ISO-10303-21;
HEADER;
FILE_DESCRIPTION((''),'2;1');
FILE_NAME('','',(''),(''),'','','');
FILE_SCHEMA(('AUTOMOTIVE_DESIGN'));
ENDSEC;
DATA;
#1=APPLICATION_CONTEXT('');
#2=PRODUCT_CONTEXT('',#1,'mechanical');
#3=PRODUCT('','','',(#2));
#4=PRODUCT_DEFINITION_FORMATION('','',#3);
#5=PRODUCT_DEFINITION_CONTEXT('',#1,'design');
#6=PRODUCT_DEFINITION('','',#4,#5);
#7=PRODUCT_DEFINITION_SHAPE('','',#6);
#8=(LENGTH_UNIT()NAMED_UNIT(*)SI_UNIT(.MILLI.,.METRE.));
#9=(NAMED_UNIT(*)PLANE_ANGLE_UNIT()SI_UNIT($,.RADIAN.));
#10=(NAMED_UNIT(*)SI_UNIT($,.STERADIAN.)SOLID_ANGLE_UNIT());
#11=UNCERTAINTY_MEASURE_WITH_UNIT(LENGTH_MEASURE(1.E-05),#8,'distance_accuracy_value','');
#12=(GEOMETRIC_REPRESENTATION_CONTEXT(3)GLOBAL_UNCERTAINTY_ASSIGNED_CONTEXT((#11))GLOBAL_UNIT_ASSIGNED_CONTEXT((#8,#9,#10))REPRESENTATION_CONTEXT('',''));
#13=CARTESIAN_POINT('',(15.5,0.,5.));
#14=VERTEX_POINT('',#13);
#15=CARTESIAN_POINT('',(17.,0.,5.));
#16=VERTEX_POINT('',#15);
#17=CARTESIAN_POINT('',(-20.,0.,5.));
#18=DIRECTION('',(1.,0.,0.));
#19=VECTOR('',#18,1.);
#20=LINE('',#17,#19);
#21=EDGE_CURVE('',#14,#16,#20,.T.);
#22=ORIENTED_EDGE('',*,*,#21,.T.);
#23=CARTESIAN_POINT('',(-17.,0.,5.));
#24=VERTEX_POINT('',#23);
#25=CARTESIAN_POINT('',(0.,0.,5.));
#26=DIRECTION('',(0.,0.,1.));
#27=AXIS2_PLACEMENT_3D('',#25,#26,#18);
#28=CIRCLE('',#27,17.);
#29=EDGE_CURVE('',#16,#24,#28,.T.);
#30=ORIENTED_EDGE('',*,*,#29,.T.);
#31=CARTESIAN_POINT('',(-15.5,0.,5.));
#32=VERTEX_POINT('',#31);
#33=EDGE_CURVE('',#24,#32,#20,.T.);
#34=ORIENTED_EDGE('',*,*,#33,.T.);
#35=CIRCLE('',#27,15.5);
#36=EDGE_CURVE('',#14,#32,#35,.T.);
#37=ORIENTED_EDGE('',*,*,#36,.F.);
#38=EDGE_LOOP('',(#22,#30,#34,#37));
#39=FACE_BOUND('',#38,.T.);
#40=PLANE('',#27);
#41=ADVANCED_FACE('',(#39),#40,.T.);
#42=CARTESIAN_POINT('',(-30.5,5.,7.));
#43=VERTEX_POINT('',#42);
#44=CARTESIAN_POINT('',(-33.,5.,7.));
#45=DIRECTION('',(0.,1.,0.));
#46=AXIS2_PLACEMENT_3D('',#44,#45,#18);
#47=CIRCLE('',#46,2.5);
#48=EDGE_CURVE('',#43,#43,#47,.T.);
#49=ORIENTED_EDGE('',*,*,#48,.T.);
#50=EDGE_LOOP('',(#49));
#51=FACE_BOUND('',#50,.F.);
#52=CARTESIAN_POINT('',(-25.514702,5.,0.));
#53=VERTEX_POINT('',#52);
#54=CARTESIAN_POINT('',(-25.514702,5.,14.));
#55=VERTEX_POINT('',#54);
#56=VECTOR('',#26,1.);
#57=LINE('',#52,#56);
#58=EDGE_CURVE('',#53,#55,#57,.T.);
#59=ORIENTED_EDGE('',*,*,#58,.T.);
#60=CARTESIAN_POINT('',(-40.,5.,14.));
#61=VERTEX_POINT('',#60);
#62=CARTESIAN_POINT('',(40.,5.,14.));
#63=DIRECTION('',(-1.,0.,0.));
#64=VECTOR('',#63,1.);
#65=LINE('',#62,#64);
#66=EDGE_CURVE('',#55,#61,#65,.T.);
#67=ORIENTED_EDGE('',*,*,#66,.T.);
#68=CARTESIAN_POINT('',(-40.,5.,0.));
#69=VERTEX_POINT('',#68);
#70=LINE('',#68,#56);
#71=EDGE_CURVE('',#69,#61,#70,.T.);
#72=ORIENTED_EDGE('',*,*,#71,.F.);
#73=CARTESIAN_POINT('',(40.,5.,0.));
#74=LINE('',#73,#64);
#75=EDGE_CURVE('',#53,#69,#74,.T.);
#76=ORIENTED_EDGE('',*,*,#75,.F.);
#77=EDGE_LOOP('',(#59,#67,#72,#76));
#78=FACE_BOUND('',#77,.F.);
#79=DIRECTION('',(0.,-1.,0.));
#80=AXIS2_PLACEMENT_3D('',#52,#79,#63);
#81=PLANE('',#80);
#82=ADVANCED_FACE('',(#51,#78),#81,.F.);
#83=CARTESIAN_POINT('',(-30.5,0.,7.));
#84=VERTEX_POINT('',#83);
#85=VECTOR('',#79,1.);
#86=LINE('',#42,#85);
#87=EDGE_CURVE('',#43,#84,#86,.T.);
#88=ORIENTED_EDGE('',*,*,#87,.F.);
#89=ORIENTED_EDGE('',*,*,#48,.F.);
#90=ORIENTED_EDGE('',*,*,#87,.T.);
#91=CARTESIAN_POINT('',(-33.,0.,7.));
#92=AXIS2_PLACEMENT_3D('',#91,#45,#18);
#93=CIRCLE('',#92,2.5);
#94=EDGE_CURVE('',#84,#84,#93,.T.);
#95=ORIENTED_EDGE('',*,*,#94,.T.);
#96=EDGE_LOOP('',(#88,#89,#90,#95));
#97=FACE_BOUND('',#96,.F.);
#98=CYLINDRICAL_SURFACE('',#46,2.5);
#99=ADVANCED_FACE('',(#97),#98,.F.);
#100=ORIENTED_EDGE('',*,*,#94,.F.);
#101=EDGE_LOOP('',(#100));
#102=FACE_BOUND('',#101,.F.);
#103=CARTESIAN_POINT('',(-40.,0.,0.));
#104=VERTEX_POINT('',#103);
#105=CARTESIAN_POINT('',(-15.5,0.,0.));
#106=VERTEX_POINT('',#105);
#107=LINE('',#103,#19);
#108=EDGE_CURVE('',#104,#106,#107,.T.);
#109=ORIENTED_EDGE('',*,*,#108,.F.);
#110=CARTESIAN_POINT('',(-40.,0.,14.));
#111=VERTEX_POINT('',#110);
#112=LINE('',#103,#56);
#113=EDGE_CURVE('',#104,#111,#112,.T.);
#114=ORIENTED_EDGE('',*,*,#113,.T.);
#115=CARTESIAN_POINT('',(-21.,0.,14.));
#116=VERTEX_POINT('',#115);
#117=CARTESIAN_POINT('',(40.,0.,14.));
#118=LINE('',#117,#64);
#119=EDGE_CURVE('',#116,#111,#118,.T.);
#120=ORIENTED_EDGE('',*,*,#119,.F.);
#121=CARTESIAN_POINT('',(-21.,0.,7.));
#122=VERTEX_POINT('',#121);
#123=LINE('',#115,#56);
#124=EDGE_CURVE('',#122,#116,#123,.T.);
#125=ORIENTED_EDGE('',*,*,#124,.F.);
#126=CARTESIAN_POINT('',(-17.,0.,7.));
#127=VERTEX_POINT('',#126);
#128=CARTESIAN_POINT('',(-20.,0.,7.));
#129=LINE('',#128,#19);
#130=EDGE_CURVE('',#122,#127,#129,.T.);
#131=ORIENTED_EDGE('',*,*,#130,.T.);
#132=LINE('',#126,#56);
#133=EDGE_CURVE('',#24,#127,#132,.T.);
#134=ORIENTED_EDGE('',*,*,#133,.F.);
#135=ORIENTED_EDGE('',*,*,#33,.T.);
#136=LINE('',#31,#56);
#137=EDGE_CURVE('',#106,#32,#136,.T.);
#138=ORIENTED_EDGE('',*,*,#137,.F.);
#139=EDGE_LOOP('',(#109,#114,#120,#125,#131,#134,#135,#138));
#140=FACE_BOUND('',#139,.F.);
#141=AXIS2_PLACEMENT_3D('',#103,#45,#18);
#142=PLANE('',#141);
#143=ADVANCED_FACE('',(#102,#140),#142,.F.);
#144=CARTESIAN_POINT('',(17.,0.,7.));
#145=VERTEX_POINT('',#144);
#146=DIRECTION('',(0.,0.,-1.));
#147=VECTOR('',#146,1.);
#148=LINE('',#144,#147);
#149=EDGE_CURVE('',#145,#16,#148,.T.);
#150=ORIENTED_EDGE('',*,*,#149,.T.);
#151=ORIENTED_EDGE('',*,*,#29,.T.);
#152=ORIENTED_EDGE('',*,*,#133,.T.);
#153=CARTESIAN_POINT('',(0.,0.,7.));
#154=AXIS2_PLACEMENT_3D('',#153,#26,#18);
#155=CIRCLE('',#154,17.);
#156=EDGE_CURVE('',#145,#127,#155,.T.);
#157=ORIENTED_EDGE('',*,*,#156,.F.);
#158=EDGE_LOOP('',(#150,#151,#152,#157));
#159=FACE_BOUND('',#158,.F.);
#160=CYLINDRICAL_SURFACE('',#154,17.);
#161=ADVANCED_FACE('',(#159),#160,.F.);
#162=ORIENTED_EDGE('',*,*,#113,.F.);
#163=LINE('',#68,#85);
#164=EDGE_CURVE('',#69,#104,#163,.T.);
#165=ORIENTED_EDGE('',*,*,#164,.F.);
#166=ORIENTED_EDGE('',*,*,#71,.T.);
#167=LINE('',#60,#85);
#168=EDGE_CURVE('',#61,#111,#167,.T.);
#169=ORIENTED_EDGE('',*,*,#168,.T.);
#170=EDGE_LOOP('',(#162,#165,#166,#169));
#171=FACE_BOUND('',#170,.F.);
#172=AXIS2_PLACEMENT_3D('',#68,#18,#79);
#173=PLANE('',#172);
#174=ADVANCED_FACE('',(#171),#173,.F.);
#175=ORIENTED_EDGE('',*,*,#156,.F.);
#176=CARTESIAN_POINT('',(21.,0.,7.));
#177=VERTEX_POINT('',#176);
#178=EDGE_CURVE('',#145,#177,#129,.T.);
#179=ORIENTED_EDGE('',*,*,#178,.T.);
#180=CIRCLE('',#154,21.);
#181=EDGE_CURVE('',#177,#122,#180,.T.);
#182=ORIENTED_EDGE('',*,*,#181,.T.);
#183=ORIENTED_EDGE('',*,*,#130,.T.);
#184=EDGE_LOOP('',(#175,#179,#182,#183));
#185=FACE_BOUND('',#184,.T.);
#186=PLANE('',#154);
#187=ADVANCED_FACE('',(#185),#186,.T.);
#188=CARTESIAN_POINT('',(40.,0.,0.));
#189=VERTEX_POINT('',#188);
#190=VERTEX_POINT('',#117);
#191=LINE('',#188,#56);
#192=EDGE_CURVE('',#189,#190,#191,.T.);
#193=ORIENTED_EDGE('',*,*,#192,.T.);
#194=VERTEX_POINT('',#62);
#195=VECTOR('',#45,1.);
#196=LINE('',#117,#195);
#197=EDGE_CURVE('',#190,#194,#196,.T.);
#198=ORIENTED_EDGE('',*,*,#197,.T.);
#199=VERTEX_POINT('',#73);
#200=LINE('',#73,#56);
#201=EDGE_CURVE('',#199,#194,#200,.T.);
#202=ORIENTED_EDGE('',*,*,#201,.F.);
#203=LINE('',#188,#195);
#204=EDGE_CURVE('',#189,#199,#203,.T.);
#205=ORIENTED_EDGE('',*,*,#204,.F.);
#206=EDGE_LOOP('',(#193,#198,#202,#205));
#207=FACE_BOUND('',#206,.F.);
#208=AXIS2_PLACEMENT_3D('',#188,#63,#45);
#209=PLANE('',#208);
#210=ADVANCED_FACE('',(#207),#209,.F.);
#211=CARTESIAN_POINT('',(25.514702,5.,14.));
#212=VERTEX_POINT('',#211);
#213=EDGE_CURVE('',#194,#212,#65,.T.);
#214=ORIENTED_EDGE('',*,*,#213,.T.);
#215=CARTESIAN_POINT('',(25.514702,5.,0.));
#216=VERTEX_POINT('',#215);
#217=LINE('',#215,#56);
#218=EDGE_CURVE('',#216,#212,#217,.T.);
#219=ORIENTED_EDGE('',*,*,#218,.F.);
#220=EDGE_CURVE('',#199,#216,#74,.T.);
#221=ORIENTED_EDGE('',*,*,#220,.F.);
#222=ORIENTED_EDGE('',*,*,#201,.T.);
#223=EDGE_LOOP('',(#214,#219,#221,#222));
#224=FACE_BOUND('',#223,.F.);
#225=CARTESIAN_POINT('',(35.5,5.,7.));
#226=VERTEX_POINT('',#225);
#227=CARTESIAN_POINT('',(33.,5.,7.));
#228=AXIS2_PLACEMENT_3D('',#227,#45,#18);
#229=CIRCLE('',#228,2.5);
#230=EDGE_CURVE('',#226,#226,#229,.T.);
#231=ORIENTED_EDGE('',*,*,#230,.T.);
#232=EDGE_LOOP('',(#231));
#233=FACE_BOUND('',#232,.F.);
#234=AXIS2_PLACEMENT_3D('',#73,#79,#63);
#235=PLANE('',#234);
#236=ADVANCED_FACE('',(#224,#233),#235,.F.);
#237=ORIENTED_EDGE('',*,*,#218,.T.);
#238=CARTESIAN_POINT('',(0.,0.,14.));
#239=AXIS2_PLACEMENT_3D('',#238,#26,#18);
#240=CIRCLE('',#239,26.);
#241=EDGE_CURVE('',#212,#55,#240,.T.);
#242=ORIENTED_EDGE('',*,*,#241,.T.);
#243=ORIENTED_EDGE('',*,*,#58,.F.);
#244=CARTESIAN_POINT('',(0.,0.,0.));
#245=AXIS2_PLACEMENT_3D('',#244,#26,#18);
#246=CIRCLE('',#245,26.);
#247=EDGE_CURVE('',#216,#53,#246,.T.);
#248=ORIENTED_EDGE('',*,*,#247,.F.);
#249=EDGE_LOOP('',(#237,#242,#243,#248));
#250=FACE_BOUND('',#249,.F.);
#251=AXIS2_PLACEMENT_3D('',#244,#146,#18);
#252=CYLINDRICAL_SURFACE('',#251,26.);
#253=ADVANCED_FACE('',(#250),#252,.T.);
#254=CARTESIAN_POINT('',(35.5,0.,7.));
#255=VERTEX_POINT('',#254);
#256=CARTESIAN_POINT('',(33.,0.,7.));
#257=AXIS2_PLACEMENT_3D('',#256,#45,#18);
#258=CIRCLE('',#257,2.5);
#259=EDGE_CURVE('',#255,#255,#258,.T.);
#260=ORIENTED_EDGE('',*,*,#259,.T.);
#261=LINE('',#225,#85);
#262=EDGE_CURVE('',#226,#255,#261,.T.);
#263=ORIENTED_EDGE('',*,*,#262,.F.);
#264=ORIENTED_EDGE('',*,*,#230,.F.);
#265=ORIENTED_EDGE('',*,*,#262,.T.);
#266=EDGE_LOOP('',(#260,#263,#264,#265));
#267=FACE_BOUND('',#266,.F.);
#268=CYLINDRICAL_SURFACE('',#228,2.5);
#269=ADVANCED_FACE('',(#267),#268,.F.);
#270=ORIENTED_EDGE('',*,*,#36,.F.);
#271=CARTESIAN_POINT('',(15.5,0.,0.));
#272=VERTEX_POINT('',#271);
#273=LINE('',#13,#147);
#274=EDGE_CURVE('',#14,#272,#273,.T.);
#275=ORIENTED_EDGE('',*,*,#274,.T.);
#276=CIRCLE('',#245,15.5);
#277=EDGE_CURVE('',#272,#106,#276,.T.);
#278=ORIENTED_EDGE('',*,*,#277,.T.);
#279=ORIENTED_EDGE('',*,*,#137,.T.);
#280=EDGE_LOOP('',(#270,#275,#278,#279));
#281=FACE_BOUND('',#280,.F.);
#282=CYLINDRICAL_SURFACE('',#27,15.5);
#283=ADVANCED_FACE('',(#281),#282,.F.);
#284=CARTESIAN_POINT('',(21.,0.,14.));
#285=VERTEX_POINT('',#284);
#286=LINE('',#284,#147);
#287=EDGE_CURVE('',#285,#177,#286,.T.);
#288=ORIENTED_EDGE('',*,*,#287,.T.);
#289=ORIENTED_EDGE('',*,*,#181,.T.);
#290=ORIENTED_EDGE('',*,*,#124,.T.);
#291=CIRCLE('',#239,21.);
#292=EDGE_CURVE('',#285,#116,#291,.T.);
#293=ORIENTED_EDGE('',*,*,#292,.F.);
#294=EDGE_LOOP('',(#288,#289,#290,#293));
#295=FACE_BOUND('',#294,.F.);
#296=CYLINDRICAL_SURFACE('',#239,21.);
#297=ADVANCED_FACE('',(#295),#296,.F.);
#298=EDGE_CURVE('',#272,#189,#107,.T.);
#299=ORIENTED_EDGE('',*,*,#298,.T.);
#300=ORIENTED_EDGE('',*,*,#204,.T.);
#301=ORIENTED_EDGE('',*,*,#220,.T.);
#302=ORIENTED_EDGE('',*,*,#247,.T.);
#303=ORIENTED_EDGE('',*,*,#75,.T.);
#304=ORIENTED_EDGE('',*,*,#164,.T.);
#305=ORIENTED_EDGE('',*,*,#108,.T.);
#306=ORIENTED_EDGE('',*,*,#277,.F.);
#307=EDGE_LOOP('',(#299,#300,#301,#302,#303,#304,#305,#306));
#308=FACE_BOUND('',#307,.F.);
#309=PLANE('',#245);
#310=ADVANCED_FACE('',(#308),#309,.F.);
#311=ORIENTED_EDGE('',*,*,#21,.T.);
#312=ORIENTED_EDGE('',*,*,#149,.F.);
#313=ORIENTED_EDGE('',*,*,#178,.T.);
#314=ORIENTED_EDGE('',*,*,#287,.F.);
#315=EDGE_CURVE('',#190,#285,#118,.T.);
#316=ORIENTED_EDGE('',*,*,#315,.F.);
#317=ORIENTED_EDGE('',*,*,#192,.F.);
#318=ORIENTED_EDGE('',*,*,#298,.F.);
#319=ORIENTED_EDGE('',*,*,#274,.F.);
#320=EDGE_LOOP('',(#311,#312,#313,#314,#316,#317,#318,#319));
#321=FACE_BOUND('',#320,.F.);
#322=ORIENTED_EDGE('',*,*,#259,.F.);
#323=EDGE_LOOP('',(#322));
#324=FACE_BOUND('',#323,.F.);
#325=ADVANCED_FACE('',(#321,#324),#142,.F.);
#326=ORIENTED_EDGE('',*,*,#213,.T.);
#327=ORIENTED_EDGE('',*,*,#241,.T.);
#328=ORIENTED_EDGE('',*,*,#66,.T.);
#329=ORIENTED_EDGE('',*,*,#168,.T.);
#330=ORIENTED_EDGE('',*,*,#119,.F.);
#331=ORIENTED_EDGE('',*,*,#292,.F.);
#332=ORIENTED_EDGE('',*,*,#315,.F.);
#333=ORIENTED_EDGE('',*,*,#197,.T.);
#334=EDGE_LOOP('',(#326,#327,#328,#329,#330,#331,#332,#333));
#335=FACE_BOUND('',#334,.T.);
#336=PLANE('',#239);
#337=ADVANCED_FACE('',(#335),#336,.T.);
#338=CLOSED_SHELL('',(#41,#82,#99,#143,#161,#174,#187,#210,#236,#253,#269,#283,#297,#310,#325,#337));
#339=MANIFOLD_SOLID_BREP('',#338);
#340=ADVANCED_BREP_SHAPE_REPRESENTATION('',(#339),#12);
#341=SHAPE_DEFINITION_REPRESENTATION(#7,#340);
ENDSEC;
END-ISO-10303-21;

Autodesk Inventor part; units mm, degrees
ref_plane "YZ Plane" through (0, 0, 0) normal (1, 0, 0) x (0, 1, 0)
ref_plane "XZ Plane" through (0, 0, 0) normal (0, 1, 0) x (-1, 0, 0)
ref_plane "XY Plane" through (0, 0, 0) normal (0, 0, 1) x (1, 0, 0)
sketch "草图1" plane through (0, 0, 0) normal (0, 0, 1) x (1, 0, 0)
  line L0 (-40, 0) -> (40, 0)
  line L1 (40, 0) -> (40, 5)
  line L2 (40, 5) -> (-40, 5)
  line L3 (-40, 5) -> (-40, 0)
  arc A0 (26, 0) -> (-26, 0) centre (0, 0) ccw
  dimension "d0" = 80
  dimension "d1" = 5
  dimension "d2" = 26
extrude "拉伸1" add sketch "草图1" along normal blind 14
sketch "草图2" plane through (0, 0, 14) normal (0, 0, 1) x (1, 0, 0)
  circle A0 centre (0, 0) radius 21
  dimension "d5" = 42
extrude "拉伸2" cut sketch "草图2" against normal blind 7
sketch "草图3" plane through (0, 0, 7) normal (0, 0, 1) x (1, 0, 0)
  circle A0 centre (0, 0) radius 17
  dimension "d8" = 34
extrude "拉伸3" cut sketch "草图3" against normal blind 2
sketch "草图4" plane through (0, 0, 5) normal (0, 0, 1) x (1, 0, 0)
  circle A0 centre (0, 0) radius 15.5
  dimension "d11" = 31
extrude "拉伸4" cut sketch "草图4" against normal blind 5
sketch "草图5" plane through (-40, 5, 0) normal (0, 1, 0) x (1, 0, 0)
  circle A0 centre (7, -7) radius 2.5
  circle A1 centre (73, -7) radius 2.5
  line L0 (80, 0) -> (80, -14) projected
  line L1 (80, -14) -> (65.5147, -14) projected
  line L2 (0, 0) -> (0, -14) projected
  line L3 (14.4853, -14) -> (0, -14) projected
  point P0 (40, 0)
  dimension "d14" = 5
  dimension "d15" = 5
  dimension "d16" = 7
  dimension "d17" = 7
  dimension "d18" = 7
  dimension "d19" = 7
extrude "拉伸5" cut sketch "草图5" against normal through all
properties part number "电机座上轴盖"
